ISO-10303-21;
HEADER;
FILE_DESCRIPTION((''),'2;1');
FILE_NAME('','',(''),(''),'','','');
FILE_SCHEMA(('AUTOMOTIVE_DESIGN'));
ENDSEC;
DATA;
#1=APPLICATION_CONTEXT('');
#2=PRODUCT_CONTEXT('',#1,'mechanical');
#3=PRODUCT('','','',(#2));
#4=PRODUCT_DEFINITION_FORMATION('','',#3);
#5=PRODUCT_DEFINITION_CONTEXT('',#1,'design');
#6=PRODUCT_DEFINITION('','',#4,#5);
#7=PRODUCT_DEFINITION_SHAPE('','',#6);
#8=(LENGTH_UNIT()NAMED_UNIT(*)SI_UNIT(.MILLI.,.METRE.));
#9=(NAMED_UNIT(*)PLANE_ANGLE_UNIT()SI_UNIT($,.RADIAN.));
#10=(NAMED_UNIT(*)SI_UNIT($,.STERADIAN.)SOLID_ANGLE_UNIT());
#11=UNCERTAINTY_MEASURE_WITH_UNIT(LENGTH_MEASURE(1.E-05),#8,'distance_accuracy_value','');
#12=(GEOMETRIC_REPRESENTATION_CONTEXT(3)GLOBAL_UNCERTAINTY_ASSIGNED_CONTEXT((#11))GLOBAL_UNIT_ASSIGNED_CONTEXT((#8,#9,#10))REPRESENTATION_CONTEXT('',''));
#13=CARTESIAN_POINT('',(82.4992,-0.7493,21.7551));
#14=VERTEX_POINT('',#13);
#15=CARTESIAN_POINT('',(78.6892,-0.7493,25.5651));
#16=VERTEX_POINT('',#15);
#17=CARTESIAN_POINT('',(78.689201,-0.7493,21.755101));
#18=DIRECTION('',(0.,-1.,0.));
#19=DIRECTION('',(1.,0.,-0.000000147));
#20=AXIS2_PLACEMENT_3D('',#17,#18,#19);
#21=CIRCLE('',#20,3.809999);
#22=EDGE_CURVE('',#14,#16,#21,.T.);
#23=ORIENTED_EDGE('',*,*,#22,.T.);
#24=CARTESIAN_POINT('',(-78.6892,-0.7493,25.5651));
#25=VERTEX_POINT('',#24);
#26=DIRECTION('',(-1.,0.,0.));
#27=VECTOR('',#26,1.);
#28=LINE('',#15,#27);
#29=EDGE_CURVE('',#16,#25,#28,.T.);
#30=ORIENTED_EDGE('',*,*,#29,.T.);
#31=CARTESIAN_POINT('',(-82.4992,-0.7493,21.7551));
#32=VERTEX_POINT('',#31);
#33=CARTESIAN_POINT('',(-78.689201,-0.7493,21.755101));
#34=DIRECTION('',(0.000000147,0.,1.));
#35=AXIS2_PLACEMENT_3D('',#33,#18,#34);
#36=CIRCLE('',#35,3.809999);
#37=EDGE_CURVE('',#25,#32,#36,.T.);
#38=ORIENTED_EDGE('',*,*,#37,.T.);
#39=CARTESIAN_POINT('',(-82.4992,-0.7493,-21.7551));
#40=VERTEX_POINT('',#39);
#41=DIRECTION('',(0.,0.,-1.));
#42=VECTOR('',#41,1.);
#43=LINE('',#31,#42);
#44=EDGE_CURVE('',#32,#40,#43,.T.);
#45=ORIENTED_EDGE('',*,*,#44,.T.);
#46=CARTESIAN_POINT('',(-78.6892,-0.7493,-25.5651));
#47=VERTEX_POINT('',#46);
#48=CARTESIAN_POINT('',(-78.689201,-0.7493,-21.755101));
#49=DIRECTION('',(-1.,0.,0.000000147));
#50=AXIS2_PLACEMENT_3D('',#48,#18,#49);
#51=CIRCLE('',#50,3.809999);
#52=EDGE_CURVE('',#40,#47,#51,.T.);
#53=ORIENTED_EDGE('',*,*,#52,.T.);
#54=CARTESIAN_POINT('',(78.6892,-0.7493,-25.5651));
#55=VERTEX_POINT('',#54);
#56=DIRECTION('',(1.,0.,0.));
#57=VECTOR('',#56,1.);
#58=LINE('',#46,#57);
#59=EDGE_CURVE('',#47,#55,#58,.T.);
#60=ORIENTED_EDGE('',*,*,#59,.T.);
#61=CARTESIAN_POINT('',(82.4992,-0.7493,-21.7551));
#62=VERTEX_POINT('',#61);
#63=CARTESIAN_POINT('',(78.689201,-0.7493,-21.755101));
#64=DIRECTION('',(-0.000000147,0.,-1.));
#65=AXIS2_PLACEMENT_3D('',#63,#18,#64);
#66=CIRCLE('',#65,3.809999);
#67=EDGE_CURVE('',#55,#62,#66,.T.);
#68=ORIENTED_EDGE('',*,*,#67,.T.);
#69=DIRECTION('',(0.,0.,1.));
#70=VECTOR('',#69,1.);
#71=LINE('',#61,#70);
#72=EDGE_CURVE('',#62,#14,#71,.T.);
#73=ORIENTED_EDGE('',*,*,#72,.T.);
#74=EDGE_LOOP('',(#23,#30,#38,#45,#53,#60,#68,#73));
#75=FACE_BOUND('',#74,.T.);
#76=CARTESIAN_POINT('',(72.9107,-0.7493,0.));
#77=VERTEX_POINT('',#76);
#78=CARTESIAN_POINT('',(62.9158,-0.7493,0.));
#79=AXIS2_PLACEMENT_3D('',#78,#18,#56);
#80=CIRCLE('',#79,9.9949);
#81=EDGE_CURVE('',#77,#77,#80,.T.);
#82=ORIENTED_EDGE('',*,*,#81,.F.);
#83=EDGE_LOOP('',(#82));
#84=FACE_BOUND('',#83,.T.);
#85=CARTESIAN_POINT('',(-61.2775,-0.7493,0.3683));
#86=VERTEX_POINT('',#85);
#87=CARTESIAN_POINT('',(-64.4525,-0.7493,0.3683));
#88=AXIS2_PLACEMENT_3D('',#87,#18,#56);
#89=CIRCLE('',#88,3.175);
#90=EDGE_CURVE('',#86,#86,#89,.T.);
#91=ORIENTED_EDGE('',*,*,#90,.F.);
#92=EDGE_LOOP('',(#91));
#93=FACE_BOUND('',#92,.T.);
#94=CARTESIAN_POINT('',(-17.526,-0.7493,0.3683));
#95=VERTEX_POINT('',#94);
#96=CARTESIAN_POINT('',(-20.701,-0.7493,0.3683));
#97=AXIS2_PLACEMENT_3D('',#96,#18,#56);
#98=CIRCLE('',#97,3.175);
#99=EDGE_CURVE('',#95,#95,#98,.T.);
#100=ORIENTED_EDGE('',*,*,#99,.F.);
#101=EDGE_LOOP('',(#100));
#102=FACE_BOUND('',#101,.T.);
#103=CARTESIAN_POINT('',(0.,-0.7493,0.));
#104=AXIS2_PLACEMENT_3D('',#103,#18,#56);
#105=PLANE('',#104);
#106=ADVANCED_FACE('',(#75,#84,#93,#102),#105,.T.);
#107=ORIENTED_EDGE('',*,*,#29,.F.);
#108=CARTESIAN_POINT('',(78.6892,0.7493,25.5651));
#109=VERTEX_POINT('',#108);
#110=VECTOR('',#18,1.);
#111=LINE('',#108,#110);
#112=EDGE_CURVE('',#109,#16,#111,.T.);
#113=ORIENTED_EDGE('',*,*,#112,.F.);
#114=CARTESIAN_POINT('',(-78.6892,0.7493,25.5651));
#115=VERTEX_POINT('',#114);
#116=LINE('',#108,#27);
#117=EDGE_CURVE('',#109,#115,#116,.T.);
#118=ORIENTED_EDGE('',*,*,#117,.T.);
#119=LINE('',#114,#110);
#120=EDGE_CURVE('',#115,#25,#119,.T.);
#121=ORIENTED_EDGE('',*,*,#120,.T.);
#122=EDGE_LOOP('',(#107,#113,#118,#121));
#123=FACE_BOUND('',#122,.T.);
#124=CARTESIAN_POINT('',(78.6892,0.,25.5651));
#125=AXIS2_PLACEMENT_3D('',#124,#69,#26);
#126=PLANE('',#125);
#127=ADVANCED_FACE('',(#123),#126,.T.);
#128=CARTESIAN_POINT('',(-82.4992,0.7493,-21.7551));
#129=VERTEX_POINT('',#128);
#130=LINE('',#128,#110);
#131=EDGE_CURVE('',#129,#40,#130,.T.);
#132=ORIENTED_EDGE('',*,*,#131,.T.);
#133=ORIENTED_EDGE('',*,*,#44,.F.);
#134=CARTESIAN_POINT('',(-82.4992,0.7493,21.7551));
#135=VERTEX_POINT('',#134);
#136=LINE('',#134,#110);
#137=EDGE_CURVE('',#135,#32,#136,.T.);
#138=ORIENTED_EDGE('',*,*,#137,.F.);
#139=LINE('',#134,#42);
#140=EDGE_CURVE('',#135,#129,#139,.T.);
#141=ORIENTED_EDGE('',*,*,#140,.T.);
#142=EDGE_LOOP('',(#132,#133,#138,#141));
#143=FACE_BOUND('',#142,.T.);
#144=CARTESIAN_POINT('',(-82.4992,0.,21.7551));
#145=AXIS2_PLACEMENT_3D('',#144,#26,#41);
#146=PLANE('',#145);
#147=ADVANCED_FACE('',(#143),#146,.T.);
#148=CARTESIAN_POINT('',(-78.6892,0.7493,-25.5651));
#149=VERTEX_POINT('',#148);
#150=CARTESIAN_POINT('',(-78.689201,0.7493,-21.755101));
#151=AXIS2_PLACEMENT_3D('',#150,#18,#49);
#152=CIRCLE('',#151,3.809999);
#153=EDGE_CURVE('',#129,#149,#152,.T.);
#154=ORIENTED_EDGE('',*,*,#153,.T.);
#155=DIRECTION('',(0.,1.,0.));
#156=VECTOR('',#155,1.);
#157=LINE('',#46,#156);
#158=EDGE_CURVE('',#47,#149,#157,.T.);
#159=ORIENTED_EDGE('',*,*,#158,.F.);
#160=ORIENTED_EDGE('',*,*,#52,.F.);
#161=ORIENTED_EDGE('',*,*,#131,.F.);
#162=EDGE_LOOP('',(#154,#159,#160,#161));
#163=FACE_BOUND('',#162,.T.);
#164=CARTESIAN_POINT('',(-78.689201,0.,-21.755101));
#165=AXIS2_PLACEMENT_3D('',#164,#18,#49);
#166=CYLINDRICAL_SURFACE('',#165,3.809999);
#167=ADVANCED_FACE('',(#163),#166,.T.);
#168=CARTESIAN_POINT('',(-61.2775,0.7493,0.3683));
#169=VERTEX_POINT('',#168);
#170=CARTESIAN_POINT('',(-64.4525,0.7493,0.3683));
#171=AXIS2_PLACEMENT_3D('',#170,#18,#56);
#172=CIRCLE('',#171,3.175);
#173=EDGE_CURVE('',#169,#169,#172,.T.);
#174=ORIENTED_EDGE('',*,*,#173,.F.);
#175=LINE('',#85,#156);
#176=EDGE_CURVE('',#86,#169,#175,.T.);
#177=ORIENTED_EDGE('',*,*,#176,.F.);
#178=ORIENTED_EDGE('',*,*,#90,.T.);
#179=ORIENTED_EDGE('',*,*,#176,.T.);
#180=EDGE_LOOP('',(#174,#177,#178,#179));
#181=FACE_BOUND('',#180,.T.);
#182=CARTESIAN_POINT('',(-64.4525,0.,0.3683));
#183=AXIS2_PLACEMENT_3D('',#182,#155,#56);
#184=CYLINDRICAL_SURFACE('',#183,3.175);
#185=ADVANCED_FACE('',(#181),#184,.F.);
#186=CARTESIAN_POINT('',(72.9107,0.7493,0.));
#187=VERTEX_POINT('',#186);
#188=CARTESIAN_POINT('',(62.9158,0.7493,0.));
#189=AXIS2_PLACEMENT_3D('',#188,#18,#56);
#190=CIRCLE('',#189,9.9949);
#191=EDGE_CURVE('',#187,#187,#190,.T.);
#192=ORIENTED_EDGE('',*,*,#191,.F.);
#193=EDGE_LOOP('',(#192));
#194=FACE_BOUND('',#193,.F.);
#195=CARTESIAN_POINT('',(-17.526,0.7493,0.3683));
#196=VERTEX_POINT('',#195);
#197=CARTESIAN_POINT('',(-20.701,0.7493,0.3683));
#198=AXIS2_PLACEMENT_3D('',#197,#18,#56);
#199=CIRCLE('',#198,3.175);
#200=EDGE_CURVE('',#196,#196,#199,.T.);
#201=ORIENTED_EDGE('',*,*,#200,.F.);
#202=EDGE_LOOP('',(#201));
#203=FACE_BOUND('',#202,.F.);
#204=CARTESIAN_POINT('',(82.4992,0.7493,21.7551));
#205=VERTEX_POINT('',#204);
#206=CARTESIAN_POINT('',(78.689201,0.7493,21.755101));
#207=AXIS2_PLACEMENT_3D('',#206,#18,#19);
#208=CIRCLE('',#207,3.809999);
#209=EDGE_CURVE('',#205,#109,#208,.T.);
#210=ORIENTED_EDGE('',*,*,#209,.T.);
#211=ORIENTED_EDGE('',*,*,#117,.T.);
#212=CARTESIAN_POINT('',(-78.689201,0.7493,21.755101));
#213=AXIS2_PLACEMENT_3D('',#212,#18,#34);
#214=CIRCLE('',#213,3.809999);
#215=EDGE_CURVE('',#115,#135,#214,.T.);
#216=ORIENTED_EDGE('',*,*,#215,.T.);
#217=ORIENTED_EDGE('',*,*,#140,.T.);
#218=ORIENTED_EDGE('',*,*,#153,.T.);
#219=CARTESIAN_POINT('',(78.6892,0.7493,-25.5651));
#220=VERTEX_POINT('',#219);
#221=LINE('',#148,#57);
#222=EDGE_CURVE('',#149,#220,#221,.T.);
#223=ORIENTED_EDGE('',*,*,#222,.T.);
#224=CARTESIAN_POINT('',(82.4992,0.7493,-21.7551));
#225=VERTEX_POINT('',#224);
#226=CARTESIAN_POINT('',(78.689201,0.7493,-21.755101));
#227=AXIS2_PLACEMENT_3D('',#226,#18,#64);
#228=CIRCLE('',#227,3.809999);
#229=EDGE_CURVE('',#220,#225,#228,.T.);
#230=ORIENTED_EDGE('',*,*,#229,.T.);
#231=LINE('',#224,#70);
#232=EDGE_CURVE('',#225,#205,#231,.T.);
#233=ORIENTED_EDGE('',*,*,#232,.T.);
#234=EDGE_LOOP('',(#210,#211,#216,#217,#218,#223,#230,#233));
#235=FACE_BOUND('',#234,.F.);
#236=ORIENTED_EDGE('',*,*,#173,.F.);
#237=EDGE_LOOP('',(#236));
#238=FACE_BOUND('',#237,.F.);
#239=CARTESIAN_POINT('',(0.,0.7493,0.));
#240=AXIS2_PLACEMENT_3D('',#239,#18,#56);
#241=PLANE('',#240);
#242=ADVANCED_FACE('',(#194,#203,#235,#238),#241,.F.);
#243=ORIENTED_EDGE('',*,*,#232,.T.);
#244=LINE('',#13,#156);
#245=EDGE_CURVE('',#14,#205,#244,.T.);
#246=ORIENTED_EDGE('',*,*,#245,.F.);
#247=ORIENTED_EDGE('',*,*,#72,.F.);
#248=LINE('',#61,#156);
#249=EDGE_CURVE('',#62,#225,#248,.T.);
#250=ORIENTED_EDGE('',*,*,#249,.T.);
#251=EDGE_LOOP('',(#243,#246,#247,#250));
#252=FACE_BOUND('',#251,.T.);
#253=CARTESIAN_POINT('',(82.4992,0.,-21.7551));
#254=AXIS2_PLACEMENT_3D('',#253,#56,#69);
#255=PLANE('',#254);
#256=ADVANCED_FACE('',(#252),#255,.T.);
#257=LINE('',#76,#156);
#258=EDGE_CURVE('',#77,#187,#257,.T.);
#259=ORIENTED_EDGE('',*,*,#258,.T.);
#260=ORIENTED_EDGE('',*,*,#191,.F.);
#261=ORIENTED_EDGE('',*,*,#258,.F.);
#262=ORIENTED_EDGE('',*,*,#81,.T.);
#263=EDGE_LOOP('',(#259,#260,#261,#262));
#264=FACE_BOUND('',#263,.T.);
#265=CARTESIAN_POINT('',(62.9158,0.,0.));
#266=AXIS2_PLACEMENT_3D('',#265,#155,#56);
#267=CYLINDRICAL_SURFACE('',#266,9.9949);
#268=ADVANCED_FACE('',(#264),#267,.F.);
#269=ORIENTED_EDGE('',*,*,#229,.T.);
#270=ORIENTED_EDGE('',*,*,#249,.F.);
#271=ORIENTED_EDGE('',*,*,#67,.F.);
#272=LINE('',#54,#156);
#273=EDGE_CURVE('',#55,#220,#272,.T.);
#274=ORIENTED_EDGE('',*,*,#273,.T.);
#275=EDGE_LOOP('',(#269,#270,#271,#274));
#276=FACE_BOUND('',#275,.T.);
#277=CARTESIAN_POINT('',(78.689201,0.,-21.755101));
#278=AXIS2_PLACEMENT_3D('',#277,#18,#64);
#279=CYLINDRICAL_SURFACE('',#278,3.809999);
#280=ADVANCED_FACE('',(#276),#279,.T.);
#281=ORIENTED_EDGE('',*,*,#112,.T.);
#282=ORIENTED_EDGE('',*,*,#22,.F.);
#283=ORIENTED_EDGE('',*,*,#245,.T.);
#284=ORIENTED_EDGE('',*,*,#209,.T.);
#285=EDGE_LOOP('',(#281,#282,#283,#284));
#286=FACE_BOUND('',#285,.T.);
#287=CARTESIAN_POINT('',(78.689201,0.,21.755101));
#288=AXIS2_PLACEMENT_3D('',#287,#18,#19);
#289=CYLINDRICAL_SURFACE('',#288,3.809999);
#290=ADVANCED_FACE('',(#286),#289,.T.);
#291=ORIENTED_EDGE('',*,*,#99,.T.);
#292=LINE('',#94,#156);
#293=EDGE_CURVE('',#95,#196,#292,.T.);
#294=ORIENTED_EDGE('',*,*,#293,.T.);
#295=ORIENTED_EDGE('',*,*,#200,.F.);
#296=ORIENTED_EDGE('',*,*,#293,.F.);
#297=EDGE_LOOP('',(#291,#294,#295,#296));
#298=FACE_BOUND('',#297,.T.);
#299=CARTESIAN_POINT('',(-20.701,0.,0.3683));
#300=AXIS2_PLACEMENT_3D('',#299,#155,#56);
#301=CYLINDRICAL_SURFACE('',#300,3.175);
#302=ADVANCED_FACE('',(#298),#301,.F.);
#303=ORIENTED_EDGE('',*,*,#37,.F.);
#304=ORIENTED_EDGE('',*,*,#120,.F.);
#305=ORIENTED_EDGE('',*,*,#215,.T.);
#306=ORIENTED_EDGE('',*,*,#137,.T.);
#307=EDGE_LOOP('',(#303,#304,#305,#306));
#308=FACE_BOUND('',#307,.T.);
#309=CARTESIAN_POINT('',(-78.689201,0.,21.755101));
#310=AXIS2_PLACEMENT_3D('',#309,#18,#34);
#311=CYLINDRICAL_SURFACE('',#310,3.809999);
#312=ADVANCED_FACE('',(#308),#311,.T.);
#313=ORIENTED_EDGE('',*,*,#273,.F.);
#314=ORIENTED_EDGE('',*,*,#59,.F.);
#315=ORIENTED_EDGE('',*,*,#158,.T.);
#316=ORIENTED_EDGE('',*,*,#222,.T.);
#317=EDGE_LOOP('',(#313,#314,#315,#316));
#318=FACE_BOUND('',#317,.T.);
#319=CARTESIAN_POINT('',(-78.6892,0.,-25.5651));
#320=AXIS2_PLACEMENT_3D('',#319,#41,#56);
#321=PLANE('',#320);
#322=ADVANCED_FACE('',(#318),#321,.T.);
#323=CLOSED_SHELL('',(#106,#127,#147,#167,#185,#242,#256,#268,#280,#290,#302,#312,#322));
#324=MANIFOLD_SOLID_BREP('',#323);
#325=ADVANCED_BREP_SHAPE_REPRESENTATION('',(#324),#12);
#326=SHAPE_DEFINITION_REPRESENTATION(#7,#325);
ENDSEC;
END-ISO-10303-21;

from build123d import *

# Parameters (mm, degrees)
F0_R     = 3.175
F0_R_2   = 9.9949
F1_DEPTH = 0.7493


with BuildPart() as f1:
    # F0 (on Front) → F1 (new body, symmetric)
    with BuildSketch(Plane.XZ):
        with BuildLine():
            ThreePointArc((82.4992, 21.7551), (81.383277, 24.449177), (78.6892, 25.5651))
            Line((78.6892, 25.5651), (-78.6892, 25.5651))
            ThreePointArc((-78.6892, 25.5651), (-81.383277, 24.449177), (-82.4992, 21.7551))
            Line((-82.4992, 21.7551), (-82.4992, -21.7551))
            ThreePointArc((-82.4992, -21.7551), (-81.383277, -24.449177), (-78.6892, -25.5651))
            Line((-78.6892, -25.5651), (78.6892, -25.5651))
            ThreePointArc((78.6892, -25.5651), (81.383277, -24.449177), (82.4992, -21.7551))
            Line((82.4992, -21.7551), (82.4992, 21.7551))
        make_face()
        with Locations((-64.4525, 0.3683)):
            Circle(F0_R, mode=Mode.SUBTRACT)
        with Locations((-20.701, 0.3683)):
            Circle(F0_R, mode=Mode.SUBTRACT)
        with Locations((62.9158, 0)):
            Circle(F0_R_2, mode=Mode.SUBTRACT)
    extrude(amount=F1_DEPTH, both=True)


solid = f1.part
